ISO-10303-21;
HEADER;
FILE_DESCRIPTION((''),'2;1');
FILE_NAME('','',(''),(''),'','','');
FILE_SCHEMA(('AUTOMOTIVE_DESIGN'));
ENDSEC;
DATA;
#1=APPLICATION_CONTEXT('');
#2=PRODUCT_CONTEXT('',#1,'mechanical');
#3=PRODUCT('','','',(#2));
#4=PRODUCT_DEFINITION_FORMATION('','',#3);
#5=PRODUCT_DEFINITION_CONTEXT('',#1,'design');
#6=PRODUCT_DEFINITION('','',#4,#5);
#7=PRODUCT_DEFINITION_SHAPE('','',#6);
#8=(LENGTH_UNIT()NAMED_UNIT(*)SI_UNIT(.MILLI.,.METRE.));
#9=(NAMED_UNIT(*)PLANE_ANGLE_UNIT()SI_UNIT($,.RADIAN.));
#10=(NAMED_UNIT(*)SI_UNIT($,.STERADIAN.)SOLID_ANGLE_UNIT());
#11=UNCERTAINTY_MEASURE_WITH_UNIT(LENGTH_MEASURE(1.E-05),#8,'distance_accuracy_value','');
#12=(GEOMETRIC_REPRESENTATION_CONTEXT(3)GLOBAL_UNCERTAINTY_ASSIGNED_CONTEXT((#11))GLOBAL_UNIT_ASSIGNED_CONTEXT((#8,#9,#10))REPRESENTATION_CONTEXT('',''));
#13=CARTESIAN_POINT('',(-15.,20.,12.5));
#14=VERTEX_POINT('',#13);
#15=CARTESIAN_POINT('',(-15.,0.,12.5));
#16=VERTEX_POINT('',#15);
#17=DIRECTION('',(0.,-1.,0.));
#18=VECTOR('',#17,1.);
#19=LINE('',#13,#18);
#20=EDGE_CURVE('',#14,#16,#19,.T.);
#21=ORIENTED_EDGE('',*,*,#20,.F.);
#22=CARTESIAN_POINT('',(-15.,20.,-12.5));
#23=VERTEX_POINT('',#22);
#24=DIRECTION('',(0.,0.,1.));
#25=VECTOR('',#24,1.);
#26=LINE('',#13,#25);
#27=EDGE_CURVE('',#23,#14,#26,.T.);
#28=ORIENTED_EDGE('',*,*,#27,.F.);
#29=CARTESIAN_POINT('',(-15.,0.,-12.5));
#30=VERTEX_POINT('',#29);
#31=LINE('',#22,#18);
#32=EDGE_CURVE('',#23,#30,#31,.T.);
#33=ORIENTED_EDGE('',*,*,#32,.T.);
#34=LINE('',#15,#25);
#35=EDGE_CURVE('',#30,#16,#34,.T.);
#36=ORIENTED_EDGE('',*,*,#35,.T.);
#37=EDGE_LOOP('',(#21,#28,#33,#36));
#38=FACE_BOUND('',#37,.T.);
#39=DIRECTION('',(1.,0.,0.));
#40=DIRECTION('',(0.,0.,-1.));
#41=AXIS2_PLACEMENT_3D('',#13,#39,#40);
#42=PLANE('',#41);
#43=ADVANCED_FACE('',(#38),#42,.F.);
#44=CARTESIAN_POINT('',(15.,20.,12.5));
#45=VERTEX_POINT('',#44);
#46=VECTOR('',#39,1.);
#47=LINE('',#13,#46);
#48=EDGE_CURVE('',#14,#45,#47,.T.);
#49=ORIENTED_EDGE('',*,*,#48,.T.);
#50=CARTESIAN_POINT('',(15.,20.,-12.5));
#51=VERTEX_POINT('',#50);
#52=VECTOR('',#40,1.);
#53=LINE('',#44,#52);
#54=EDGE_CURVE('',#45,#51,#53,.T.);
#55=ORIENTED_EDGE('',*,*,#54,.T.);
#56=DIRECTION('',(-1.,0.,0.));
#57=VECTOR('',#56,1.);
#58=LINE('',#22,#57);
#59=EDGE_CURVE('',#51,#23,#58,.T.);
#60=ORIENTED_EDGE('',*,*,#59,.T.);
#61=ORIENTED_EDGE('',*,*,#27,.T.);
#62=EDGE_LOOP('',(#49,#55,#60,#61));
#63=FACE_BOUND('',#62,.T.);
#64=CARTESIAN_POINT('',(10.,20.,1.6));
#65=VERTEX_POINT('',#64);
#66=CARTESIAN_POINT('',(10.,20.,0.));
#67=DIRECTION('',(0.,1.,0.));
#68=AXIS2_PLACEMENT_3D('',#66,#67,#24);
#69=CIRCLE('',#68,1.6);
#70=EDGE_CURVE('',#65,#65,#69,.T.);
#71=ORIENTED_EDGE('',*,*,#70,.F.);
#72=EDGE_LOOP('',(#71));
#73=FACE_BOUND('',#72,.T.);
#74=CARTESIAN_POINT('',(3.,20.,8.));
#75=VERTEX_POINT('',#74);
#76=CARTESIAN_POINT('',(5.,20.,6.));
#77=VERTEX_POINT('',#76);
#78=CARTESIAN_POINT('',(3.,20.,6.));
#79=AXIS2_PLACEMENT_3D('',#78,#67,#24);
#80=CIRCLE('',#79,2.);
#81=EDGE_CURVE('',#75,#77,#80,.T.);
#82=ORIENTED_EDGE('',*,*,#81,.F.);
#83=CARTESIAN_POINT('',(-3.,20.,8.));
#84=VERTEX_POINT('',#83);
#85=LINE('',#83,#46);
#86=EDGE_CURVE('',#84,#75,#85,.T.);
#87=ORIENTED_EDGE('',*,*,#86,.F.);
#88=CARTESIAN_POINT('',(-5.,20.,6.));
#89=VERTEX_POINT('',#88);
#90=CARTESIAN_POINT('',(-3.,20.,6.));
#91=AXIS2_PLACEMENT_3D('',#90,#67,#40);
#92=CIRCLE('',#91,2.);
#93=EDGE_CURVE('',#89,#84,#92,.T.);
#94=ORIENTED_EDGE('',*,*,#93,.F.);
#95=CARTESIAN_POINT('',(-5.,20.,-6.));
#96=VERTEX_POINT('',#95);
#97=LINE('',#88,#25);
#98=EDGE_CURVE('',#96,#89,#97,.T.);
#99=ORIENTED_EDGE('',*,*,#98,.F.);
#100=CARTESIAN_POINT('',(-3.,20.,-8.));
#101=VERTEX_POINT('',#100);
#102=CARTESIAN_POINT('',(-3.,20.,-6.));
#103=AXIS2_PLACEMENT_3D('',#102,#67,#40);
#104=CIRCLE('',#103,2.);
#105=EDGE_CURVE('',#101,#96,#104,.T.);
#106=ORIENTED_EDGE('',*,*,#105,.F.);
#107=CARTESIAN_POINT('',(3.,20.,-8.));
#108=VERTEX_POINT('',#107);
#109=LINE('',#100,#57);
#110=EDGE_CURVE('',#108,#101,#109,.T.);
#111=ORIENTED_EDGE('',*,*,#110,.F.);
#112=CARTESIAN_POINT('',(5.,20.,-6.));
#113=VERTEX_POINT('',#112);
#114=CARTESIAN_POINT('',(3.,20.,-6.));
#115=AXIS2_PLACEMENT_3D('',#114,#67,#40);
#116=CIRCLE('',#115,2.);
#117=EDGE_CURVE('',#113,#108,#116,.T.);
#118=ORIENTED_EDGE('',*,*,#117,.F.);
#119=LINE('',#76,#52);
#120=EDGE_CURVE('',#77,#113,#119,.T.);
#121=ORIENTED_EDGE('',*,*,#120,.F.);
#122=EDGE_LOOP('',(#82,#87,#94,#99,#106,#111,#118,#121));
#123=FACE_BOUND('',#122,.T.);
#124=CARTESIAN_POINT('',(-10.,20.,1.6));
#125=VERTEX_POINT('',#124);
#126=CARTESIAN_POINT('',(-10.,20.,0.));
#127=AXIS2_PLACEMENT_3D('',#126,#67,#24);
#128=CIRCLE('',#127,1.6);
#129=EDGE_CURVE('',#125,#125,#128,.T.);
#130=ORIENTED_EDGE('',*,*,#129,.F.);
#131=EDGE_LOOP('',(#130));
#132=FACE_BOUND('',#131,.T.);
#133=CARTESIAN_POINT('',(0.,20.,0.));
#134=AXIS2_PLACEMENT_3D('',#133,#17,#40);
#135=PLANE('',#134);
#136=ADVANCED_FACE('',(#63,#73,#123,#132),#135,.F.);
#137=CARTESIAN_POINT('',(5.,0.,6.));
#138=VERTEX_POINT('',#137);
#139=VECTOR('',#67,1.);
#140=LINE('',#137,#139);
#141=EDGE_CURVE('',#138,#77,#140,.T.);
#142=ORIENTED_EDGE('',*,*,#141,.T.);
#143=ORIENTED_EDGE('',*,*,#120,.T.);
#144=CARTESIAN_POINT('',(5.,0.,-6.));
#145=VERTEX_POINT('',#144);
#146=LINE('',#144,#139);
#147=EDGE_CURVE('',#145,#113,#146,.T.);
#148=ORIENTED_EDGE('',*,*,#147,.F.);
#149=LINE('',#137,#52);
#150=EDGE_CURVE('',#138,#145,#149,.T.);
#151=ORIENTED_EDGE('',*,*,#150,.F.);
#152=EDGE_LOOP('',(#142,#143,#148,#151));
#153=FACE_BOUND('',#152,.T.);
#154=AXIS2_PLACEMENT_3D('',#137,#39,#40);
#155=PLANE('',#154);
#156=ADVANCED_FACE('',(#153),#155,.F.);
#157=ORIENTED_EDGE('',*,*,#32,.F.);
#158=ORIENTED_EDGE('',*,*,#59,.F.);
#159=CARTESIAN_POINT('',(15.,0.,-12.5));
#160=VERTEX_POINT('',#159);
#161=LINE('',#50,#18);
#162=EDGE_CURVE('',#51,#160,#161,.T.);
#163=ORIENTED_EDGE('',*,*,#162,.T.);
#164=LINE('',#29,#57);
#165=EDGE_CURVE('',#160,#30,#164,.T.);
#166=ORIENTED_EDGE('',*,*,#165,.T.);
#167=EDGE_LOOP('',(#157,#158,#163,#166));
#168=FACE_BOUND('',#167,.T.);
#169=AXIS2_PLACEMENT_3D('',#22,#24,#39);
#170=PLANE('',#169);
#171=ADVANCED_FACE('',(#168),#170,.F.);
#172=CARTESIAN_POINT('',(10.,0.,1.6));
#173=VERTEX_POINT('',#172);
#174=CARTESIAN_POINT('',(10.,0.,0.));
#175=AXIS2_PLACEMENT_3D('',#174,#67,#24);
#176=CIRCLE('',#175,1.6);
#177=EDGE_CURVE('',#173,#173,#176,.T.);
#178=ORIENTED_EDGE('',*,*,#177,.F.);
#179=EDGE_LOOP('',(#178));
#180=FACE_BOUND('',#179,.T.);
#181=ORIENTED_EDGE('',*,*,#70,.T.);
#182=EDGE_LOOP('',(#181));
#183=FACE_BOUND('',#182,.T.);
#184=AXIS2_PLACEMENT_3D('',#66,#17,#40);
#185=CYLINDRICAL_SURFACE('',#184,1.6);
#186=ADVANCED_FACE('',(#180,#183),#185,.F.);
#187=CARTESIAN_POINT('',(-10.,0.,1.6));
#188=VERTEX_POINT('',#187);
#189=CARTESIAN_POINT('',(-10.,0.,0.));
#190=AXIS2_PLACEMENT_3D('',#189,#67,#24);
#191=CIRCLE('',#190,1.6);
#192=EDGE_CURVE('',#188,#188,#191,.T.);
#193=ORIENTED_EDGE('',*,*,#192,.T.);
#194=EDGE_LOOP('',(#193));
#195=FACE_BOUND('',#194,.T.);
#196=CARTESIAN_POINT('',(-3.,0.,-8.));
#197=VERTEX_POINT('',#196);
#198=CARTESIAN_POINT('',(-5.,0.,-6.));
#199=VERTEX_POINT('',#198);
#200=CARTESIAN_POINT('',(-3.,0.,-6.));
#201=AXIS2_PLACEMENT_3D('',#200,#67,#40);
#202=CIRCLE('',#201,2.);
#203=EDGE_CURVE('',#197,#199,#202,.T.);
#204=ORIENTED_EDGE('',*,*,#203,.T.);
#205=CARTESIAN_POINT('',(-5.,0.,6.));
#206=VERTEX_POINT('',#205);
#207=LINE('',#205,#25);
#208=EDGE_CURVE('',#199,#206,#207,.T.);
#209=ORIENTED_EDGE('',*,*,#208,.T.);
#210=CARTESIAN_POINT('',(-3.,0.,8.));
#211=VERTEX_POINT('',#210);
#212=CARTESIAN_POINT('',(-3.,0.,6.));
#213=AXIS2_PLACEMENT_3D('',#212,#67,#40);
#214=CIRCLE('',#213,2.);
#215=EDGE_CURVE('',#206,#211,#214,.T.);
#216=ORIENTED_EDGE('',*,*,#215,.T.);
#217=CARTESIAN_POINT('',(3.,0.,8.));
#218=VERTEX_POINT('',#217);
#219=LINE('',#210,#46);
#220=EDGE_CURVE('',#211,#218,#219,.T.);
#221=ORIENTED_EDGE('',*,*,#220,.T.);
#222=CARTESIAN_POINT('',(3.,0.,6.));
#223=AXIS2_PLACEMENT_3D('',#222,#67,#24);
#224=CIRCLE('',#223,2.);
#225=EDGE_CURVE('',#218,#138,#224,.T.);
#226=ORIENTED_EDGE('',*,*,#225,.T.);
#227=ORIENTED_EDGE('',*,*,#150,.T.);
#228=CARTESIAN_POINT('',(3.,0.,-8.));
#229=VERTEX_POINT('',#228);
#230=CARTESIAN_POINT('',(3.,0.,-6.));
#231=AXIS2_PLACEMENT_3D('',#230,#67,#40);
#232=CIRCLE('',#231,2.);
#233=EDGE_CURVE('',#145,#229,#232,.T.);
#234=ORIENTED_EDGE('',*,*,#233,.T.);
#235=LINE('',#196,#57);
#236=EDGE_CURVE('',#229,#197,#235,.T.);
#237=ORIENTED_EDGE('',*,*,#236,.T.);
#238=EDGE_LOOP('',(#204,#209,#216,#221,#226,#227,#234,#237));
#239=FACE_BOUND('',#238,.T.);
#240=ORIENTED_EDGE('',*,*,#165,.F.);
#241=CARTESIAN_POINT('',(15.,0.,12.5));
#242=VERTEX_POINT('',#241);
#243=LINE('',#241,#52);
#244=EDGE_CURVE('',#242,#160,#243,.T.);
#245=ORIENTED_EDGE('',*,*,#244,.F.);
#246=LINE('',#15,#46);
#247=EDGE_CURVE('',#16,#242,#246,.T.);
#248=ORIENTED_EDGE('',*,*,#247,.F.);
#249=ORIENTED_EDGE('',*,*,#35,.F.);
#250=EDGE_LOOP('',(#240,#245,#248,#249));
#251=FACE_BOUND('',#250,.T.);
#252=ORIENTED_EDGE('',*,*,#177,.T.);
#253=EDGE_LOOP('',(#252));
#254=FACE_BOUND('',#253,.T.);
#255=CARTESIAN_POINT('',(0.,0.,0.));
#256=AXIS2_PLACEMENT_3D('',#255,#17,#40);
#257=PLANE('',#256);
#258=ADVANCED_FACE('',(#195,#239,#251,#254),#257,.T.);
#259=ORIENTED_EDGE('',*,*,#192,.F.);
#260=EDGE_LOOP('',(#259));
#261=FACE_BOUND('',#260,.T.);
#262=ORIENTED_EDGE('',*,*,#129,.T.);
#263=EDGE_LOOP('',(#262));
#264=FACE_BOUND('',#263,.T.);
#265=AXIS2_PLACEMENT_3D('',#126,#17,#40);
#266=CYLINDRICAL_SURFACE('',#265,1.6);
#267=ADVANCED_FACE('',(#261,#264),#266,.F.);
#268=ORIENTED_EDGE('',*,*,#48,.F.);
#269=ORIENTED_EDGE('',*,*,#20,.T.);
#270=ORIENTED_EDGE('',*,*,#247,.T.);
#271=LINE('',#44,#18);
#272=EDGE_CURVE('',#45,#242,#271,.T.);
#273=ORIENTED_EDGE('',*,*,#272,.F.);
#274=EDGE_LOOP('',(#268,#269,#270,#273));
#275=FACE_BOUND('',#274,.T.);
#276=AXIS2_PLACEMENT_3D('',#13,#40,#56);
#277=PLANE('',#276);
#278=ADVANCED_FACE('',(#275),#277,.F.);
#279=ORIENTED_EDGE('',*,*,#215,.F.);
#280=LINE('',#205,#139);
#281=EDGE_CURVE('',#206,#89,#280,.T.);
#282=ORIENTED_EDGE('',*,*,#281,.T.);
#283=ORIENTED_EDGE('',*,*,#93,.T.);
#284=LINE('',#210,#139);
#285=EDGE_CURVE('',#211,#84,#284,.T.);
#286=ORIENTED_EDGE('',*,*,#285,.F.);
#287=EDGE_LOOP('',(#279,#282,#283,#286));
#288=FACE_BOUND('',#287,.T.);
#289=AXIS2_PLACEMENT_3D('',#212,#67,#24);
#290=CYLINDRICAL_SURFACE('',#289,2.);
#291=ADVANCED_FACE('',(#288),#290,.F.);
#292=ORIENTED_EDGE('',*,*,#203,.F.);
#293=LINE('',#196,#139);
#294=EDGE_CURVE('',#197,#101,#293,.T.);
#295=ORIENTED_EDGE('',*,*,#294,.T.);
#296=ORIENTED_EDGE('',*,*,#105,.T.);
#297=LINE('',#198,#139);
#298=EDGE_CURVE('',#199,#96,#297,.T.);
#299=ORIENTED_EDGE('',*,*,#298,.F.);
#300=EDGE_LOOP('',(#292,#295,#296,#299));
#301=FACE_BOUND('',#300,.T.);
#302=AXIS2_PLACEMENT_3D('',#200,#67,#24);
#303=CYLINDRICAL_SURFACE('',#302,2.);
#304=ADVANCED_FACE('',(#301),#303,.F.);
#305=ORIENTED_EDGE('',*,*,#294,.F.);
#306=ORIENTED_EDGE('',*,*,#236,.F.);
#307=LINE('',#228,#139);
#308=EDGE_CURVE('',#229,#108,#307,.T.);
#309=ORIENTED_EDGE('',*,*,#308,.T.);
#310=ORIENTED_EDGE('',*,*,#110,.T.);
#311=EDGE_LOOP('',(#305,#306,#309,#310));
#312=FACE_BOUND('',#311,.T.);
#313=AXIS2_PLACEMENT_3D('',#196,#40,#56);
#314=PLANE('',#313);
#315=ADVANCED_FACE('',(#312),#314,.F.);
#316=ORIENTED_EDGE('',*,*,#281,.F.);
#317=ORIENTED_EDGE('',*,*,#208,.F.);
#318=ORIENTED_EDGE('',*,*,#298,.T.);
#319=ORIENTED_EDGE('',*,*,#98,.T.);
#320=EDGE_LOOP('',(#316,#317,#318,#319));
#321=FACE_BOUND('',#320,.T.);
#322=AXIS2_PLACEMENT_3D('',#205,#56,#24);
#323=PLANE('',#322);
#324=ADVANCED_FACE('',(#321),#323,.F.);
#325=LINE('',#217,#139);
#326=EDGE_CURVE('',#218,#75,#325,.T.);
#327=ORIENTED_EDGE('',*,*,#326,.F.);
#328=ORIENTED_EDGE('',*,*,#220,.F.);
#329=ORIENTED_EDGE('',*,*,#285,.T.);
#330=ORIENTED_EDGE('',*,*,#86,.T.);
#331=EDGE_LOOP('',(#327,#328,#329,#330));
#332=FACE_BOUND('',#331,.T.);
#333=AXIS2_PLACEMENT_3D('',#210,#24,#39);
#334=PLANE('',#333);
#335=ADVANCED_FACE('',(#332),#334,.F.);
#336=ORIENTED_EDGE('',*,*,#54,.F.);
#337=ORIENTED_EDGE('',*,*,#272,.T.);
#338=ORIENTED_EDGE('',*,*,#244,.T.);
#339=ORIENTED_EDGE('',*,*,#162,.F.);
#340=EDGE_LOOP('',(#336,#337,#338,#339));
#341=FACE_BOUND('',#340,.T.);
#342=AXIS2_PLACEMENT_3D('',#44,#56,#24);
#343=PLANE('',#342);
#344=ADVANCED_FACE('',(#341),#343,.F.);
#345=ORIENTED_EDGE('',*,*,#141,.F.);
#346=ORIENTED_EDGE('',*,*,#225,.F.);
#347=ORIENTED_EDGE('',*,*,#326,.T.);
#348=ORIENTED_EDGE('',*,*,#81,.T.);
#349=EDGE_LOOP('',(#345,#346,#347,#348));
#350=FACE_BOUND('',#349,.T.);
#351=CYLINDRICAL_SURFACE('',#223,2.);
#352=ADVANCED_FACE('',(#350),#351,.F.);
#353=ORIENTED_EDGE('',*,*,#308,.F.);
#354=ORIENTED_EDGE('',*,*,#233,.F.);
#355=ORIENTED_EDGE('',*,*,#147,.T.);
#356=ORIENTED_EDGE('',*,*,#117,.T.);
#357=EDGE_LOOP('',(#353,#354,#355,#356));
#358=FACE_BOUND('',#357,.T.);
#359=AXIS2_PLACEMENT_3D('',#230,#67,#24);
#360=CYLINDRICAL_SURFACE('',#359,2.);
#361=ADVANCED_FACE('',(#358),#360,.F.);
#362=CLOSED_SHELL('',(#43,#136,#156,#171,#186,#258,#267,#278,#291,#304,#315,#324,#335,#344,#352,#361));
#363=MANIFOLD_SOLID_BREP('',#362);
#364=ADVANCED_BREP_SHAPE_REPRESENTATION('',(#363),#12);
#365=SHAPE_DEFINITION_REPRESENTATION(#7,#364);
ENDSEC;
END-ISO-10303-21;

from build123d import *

# Parameters (mm, degrees)
SKETCH_1_W          = 30
SKETCH_1_H          = 25
SKETCH_1_R          = 1.6
EXTRUDE_1_DEPTH     = 20
CUT_EXTRUDE_1_DEPTH = 20


with BuildPart() as part:
    # 草图1 → 凸台-拉伸1 (new body)
    with BuildSketch(Plane(origin=(0, 0, 0), x_dir=(1, 0, 0), z_dir=(0, 1, 0))):
        Rectangle(SKETCH_1_W, SKETCH_1_H)
        with Locations(Location((-10, 0, 0), (0, 0, 270))):
            Circle(SKETCH_1_R, mode=Mode.SUBTRACT)
        with Locations(Location((10, 0, 0), (0, 0, 270))):
            Circle(SKETCH_1_R, mode=Mode.SUBTRACT)
    extrude(amount=EXTRUDE_1_DEPTH)

    # 草图2 → 切除-拉伸1 (cut)
    with BuildSketch(Plane(origin=(0, 20, 0), x_dir=(1, 0, 0), z_dir=(0, 1, 0))):
        with BuildLine():
            Line((-3, -8), (3, -8))
            ThreePointArc((3, -8), (4.414213562, -7.414213562), (5, -6))
            Line((5, -6), (5, 6))
            ThreePointArc((5, 6), (4.414213562, 7.414213562), (3, 8))
            Line((3, 8), (-3, 8))
            ThreePointArc((-3, 8), (-4.414213562, 7.414213562), (-5, 6))
            Line((-5, 6), (-5, -6))
            ThreePointArc((-5, -6), (-4.414213562, -7.414213562), (-3, -8))
        make_face()
    extrude(amount=-CUT_EXTRUDE_1_DEPTH, mode=Mode.SUBTRACT)


solid = part.part
